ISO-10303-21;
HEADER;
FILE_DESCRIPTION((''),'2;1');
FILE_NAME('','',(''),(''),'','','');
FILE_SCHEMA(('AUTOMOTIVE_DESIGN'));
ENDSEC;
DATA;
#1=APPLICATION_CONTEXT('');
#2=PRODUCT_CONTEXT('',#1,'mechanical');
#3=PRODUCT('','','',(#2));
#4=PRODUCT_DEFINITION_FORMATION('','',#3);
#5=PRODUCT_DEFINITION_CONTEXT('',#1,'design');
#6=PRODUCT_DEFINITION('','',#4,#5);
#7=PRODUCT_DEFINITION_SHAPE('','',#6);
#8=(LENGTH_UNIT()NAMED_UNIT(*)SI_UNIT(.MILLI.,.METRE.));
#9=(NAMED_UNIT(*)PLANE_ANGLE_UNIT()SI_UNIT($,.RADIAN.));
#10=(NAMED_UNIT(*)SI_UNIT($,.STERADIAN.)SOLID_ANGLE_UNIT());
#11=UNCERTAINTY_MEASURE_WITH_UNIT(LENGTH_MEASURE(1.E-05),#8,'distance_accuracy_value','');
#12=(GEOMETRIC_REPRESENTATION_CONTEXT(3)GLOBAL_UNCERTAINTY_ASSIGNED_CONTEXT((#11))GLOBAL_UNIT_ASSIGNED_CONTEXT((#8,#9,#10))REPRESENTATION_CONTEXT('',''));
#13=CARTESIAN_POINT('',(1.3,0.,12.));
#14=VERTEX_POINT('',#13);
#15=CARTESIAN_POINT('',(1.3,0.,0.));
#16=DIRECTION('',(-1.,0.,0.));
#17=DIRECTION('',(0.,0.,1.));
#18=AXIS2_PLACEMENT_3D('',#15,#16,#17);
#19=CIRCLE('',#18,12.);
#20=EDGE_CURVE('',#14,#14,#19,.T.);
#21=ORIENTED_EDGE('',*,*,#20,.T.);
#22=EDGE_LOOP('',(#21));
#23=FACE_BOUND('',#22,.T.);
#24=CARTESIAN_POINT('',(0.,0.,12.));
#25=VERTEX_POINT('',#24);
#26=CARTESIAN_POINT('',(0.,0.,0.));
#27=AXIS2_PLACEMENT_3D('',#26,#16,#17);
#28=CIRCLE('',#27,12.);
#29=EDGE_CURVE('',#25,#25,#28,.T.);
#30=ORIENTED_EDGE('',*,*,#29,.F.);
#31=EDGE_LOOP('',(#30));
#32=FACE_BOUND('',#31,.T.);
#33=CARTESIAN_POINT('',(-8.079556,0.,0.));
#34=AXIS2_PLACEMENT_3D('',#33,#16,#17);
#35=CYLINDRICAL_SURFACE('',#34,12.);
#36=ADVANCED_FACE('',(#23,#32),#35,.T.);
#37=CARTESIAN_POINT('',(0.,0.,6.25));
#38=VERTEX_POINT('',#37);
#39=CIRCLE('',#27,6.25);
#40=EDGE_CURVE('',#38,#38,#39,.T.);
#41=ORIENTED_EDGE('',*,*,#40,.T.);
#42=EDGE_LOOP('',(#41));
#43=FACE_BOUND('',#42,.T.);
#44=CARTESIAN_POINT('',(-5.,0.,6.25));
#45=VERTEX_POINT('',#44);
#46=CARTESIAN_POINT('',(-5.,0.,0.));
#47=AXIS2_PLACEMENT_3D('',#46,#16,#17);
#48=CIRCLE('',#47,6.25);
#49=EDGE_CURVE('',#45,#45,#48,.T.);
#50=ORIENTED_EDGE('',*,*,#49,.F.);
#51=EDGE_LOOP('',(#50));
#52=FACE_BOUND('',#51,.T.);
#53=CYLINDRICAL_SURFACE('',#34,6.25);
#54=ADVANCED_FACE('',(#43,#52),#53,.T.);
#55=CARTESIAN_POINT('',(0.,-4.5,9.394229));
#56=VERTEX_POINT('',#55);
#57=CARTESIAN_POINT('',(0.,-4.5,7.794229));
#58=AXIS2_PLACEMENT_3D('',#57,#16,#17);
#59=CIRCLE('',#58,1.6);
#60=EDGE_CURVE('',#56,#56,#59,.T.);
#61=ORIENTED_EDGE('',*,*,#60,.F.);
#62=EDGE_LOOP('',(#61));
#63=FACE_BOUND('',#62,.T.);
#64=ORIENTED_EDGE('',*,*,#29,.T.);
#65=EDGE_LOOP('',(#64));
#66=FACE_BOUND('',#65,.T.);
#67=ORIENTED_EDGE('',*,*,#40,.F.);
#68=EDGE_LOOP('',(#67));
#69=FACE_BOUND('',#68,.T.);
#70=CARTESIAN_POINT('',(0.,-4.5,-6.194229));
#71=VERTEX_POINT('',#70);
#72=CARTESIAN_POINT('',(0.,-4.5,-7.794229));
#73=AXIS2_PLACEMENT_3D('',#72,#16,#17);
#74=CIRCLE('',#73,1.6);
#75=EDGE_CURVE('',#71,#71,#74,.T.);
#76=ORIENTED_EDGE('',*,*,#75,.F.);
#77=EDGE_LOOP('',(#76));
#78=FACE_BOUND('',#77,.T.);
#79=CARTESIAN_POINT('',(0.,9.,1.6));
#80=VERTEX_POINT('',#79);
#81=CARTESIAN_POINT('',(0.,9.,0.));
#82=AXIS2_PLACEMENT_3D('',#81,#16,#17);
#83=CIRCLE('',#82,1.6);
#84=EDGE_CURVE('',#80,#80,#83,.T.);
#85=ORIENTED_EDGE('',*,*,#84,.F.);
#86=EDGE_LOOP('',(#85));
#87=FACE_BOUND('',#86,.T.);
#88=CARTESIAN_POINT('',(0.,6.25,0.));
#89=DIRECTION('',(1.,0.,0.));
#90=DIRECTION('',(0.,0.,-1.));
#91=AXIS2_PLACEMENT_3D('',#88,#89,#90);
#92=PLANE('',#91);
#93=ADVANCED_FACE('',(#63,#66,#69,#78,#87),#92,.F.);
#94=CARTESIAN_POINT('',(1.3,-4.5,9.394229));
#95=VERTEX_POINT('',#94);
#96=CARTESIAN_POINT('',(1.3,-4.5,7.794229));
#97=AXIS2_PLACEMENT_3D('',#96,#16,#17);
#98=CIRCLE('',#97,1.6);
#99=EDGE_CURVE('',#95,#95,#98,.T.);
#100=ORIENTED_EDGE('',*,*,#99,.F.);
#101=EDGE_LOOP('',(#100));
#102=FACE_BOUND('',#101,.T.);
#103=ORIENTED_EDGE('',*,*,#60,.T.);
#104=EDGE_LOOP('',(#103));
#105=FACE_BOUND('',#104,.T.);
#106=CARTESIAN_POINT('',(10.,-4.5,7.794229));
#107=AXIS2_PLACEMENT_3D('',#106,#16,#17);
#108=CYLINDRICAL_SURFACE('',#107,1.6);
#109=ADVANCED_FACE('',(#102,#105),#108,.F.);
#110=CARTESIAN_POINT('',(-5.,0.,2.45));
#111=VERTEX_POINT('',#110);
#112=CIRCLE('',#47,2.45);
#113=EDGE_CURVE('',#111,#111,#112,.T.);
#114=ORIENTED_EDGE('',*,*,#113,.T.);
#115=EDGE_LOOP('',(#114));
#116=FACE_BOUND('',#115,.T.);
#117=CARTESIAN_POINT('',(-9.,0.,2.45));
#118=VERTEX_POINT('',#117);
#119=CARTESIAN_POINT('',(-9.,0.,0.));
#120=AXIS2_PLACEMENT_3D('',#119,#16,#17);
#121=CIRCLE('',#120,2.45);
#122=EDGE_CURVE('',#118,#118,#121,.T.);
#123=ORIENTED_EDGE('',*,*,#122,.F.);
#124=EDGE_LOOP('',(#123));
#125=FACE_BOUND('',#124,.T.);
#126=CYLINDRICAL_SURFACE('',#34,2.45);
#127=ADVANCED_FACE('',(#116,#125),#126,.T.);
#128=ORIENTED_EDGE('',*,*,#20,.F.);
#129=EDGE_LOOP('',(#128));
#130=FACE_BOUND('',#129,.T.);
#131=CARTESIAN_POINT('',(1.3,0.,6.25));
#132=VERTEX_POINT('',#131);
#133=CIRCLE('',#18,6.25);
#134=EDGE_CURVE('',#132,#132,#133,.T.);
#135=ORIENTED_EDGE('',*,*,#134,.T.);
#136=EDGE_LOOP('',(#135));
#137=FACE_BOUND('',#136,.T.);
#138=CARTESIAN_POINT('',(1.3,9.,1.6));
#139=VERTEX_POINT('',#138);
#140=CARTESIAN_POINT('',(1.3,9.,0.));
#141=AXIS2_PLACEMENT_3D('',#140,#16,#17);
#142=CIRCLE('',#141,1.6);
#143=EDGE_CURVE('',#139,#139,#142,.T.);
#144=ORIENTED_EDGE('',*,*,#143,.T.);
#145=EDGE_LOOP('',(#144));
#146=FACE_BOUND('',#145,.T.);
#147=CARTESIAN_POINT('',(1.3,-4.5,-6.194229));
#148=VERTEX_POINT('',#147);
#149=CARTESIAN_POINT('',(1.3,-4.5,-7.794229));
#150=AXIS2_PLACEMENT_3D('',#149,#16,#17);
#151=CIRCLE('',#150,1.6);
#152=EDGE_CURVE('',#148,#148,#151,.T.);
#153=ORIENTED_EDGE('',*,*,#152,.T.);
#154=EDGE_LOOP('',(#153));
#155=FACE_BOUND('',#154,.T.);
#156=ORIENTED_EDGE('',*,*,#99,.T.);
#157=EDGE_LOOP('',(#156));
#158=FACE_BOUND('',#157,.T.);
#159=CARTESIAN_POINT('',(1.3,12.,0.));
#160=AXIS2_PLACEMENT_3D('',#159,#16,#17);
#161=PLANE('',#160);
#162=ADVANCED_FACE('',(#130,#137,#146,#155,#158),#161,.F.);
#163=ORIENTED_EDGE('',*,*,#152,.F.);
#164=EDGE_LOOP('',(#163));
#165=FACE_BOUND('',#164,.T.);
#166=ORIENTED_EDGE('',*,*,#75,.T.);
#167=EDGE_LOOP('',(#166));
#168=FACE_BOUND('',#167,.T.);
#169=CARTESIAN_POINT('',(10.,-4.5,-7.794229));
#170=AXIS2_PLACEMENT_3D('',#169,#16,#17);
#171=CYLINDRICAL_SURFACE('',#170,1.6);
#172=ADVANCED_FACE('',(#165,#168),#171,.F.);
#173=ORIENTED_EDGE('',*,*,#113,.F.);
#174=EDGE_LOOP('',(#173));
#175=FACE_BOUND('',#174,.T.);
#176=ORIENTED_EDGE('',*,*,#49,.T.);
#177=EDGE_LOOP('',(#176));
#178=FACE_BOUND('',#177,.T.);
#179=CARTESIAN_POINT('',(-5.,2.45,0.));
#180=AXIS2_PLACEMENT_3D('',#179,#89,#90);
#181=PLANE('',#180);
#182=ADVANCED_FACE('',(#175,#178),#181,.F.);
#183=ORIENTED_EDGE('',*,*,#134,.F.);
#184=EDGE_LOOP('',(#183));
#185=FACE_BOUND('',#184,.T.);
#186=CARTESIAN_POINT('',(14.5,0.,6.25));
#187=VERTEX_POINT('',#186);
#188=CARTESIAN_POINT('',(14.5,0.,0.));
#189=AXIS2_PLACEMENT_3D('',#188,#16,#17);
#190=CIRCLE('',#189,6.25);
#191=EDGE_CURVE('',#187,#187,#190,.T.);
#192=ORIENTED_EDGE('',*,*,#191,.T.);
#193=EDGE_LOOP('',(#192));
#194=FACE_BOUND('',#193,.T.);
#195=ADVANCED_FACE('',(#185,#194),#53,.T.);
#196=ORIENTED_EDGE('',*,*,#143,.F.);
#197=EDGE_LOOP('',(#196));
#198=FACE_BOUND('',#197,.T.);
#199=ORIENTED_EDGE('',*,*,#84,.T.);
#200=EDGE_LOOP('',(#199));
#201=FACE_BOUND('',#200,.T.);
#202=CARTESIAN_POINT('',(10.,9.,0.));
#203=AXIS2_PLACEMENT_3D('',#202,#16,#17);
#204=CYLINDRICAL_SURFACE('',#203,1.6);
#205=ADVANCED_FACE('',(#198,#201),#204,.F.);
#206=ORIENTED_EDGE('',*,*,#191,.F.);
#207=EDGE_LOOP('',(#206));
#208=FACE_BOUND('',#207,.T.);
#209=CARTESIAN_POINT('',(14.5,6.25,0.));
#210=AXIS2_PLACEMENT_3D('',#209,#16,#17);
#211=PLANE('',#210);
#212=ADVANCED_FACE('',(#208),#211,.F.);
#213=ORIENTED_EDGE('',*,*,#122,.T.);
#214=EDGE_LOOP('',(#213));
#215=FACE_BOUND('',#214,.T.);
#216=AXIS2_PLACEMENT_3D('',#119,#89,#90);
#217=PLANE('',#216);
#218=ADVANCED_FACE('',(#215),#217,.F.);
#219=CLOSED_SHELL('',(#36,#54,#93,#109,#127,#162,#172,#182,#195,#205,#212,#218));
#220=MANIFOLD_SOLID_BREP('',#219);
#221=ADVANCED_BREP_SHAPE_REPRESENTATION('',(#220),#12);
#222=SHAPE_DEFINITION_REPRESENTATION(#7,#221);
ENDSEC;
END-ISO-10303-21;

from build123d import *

# Parameters (mm, degrees)
SKETCH_2_R          = 1.6
CUT_EXTRUDE_1_DEPTH = 10


with BuildPart() as part:
    # 草图1 → 旋转1 (revolve)
    with BuildSketch(Plane.XY, mode=Mode.PRIVATE) as revolve_1_sk:
        Polygon((-9, 0), (-9, 2.45), (-5, 2.45), (-5, 6.25), (0, 6.25), (0, 12), (1.3, 12), (1.3, 6.25), (14.5, 6.25), (14.5, 0), align=None)
    revolve(revolve_1_sk.sketch.rotate(Axis((-8.079555556, 0, 0), (1, 0, 0)), 90), axis=Axis((-8.079555556, 0, 0), (1, 0, 0)))

    # 草图2 → 切除-拉伸1 (cut)
    with BuildSketch(Plane.ZY):
        with Locations((0, 9)):
            Circle(SKETCH_2_R)
        with Locations((7.794228634, -4.5)):
            Circle(SKETCH_2_R)
        with Locations((-7.794228634, -4.5)):
            Circle(SKETCH_2_R)
    extrude(amount=-CUT_EXTRUDE_1_DEPTH, mode=Mode.SUBTRACT)


solid = part.part
